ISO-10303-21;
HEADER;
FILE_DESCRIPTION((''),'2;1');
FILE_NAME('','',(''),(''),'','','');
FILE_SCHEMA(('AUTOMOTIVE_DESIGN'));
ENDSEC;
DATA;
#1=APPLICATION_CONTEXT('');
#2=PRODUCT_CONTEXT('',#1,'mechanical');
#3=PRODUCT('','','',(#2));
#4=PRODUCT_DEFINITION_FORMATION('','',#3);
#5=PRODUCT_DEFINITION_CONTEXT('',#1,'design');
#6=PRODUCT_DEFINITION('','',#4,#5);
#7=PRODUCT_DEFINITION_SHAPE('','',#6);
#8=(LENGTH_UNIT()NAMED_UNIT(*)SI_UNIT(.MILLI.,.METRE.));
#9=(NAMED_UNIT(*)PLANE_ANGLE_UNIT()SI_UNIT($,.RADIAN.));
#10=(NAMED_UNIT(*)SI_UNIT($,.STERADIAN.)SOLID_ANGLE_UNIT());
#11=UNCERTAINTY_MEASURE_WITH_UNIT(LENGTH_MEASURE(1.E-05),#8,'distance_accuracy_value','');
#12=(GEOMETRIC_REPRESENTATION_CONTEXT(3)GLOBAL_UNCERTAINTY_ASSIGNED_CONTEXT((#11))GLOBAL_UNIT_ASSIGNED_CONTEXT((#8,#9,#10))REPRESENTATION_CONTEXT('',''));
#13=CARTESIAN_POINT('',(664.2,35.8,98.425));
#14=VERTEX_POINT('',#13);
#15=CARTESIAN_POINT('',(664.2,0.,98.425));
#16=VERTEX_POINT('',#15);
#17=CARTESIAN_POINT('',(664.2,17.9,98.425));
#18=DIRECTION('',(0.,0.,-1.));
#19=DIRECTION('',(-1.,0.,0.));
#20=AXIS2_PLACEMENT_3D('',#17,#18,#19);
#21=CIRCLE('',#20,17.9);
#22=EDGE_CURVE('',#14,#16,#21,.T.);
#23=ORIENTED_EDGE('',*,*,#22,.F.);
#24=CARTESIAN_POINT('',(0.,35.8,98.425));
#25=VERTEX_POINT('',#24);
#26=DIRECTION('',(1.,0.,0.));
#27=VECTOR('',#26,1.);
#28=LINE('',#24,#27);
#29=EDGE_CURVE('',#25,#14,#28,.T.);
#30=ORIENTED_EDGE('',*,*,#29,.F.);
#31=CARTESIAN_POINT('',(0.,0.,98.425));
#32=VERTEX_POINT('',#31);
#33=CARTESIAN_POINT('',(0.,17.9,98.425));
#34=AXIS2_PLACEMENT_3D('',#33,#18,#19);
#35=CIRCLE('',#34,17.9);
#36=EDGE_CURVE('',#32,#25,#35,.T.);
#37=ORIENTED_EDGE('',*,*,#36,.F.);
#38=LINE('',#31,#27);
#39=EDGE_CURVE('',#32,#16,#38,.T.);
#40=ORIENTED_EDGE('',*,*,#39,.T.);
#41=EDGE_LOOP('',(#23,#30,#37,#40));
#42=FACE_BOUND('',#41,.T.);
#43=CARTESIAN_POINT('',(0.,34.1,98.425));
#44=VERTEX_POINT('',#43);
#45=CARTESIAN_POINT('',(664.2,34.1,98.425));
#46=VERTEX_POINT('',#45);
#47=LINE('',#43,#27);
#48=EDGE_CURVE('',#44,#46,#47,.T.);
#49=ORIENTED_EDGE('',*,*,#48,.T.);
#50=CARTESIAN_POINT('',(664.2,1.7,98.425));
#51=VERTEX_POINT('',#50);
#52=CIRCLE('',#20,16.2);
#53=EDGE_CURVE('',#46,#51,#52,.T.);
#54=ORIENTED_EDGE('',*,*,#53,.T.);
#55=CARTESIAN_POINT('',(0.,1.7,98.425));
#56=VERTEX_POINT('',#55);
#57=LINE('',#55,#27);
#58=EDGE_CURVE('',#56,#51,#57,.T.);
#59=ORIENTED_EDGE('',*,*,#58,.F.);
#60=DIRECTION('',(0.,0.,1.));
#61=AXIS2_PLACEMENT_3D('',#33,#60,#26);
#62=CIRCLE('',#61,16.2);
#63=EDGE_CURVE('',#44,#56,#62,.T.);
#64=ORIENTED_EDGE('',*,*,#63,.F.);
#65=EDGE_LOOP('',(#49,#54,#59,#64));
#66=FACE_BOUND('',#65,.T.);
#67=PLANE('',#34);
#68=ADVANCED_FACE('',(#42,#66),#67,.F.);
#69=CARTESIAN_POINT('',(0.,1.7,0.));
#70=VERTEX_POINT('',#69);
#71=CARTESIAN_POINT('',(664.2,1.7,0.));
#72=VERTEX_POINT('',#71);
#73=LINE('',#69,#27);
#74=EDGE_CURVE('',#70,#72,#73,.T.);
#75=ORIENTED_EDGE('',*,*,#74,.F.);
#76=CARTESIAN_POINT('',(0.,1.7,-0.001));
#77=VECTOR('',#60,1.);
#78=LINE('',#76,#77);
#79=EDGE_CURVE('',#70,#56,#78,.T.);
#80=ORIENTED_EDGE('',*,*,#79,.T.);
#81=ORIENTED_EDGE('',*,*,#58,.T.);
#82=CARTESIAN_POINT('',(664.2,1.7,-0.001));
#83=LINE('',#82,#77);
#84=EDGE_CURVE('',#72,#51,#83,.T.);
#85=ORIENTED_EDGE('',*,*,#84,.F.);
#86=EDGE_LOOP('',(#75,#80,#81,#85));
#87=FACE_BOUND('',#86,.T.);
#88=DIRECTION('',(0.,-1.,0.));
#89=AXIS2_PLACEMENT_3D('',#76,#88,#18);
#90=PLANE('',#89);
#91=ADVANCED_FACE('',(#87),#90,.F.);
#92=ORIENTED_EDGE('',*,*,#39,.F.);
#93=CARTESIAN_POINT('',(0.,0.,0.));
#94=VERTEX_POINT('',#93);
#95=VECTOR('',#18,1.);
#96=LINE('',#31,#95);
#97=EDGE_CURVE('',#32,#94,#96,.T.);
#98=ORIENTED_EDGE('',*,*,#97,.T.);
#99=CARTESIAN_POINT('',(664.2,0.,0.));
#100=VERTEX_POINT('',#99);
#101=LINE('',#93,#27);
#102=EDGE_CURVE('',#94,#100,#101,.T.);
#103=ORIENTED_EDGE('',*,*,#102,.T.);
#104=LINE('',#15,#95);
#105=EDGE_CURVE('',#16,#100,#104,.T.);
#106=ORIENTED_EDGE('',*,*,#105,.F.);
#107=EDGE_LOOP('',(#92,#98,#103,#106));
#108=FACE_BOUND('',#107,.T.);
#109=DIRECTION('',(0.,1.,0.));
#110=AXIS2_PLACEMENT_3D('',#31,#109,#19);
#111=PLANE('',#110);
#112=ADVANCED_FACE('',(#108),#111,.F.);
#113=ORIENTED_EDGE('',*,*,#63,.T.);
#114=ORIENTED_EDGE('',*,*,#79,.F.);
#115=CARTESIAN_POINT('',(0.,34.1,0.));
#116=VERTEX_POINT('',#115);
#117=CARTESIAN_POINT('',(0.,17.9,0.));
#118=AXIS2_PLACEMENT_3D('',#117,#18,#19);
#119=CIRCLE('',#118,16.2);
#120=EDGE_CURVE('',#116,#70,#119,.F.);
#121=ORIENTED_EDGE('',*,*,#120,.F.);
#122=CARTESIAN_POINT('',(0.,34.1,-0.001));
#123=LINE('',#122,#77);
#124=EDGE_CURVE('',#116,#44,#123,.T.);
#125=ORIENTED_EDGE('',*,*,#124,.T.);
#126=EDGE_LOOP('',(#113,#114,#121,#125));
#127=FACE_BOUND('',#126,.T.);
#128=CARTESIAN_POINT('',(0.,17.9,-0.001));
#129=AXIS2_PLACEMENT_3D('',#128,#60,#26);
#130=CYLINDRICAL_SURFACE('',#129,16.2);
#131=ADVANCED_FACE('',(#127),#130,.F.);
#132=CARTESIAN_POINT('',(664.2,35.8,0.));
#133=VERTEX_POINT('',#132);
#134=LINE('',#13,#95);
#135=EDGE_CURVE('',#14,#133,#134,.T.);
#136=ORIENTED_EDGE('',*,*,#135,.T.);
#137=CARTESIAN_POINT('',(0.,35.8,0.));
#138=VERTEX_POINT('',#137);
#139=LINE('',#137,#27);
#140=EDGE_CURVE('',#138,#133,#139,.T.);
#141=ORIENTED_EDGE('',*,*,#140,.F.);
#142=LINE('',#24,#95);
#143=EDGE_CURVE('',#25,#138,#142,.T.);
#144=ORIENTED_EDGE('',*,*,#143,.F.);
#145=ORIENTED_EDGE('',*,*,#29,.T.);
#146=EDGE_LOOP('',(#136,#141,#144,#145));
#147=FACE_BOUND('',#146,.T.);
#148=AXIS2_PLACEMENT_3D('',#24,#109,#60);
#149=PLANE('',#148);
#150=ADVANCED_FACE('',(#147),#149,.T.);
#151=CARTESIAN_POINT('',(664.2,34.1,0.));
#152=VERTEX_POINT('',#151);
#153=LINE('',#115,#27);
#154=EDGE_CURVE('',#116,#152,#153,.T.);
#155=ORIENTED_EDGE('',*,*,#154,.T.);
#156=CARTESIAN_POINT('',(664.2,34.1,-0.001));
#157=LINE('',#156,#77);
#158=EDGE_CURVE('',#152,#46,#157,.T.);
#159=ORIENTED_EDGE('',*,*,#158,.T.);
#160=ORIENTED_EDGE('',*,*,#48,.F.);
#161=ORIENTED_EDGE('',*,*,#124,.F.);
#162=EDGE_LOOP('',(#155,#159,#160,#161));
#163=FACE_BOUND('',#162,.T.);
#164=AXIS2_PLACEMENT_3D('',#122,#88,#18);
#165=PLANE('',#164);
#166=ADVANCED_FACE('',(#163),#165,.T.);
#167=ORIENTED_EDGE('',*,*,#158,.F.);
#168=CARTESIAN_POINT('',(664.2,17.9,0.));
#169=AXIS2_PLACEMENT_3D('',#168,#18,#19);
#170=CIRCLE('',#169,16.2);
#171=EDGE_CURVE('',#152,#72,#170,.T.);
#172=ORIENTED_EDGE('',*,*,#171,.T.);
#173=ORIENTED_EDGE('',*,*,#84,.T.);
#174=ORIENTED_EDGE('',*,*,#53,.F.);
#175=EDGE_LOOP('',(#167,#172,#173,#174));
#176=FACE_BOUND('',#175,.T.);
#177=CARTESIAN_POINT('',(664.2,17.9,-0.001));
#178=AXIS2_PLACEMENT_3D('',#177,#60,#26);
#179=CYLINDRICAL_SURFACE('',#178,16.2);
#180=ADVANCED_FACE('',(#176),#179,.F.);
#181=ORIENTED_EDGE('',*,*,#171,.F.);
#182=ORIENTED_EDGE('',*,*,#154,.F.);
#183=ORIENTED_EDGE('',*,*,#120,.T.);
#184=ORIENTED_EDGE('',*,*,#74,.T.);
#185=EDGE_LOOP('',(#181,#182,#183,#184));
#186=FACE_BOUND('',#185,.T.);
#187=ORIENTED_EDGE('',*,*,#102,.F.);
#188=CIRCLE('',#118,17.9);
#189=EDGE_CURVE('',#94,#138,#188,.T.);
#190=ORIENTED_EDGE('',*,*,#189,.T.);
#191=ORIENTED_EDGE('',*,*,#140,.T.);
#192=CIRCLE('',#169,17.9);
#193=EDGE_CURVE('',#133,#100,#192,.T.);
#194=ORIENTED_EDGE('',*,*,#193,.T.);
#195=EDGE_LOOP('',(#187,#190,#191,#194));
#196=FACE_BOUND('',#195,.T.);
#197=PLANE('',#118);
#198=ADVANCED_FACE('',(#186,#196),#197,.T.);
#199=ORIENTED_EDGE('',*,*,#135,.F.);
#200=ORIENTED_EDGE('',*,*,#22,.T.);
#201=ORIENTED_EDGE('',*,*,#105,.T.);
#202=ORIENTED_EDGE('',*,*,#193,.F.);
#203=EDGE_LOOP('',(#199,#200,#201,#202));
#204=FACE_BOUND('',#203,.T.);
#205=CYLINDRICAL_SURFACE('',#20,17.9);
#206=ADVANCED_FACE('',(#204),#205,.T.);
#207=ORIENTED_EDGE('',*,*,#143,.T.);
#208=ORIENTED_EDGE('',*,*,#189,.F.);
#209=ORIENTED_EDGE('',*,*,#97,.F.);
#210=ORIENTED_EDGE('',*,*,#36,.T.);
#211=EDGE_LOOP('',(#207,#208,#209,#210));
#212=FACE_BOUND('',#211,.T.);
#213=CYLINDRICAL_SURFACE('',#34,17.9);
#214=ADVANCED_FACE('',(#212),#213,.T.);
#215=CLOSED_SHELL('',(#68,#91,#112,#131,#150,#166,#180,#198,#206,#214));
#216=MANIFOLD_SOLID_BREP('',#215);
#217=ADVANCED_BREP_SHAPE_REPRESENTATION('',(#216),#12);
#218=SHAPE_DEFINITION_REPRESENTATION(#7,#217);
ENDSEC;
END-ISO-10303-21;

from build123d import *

# Parameters (mm, degrees)
BOSS_EXTRUDE1_DEPTH = 98.425
CUT_EXTRUDE1_REACH  = 692.094


with BuildPart() as part:
    # Sketch1 → Boss-Extrude1 (new body)
    with BuildSketch(Plane.XY):
        with BuildLine():
            Line((0, 35.8), (664.20000002, 35.8))
            ThreePointArc((664.20000002, 35.8), (682.10000002, 17.9), (664.20000002, 0))
            Line((664.20000002, 0), (0, 0))
            ThreePointArc((0, 0), (-17.9, 17.9), (0, 35.8))
        make_face()
    extrude(amount=BOSS_EXTRUDE1_DEPTH)

    # Sketch3 → Cut-Extrude1 (cut, up to next)
    with BuildSketch(Plane.XY.offset(98.425), mode=Mode.PRIVATE) as cut_extrude1_sk1:
        with BuildLine():
            Line((0, 34.1), (664.20000002, 34.1))
            ThreePointArc((664.20000002, 34.1), (680.40000002, 17.9), (664.20000002, 1.7))
            Line((664.20000002, 1.7), (0, 1.7))
            ThreePointArc((0, 1.7), (-16.2, 17.9), (0, 34.1))
        make_face()
    cut_extrude1_tool1 = extrude(cut_extrude1_sk1.sketch, amount=-CUT_EXTRUDE1_REACH, mode=Mode.PRIVATE) & part.part
    add(cut_extrude1_tool1.solids().sort_by_distance((332.1, 17.9, 98.425))[0], mode=Mode.SUBTRACT)


solid = part.part
